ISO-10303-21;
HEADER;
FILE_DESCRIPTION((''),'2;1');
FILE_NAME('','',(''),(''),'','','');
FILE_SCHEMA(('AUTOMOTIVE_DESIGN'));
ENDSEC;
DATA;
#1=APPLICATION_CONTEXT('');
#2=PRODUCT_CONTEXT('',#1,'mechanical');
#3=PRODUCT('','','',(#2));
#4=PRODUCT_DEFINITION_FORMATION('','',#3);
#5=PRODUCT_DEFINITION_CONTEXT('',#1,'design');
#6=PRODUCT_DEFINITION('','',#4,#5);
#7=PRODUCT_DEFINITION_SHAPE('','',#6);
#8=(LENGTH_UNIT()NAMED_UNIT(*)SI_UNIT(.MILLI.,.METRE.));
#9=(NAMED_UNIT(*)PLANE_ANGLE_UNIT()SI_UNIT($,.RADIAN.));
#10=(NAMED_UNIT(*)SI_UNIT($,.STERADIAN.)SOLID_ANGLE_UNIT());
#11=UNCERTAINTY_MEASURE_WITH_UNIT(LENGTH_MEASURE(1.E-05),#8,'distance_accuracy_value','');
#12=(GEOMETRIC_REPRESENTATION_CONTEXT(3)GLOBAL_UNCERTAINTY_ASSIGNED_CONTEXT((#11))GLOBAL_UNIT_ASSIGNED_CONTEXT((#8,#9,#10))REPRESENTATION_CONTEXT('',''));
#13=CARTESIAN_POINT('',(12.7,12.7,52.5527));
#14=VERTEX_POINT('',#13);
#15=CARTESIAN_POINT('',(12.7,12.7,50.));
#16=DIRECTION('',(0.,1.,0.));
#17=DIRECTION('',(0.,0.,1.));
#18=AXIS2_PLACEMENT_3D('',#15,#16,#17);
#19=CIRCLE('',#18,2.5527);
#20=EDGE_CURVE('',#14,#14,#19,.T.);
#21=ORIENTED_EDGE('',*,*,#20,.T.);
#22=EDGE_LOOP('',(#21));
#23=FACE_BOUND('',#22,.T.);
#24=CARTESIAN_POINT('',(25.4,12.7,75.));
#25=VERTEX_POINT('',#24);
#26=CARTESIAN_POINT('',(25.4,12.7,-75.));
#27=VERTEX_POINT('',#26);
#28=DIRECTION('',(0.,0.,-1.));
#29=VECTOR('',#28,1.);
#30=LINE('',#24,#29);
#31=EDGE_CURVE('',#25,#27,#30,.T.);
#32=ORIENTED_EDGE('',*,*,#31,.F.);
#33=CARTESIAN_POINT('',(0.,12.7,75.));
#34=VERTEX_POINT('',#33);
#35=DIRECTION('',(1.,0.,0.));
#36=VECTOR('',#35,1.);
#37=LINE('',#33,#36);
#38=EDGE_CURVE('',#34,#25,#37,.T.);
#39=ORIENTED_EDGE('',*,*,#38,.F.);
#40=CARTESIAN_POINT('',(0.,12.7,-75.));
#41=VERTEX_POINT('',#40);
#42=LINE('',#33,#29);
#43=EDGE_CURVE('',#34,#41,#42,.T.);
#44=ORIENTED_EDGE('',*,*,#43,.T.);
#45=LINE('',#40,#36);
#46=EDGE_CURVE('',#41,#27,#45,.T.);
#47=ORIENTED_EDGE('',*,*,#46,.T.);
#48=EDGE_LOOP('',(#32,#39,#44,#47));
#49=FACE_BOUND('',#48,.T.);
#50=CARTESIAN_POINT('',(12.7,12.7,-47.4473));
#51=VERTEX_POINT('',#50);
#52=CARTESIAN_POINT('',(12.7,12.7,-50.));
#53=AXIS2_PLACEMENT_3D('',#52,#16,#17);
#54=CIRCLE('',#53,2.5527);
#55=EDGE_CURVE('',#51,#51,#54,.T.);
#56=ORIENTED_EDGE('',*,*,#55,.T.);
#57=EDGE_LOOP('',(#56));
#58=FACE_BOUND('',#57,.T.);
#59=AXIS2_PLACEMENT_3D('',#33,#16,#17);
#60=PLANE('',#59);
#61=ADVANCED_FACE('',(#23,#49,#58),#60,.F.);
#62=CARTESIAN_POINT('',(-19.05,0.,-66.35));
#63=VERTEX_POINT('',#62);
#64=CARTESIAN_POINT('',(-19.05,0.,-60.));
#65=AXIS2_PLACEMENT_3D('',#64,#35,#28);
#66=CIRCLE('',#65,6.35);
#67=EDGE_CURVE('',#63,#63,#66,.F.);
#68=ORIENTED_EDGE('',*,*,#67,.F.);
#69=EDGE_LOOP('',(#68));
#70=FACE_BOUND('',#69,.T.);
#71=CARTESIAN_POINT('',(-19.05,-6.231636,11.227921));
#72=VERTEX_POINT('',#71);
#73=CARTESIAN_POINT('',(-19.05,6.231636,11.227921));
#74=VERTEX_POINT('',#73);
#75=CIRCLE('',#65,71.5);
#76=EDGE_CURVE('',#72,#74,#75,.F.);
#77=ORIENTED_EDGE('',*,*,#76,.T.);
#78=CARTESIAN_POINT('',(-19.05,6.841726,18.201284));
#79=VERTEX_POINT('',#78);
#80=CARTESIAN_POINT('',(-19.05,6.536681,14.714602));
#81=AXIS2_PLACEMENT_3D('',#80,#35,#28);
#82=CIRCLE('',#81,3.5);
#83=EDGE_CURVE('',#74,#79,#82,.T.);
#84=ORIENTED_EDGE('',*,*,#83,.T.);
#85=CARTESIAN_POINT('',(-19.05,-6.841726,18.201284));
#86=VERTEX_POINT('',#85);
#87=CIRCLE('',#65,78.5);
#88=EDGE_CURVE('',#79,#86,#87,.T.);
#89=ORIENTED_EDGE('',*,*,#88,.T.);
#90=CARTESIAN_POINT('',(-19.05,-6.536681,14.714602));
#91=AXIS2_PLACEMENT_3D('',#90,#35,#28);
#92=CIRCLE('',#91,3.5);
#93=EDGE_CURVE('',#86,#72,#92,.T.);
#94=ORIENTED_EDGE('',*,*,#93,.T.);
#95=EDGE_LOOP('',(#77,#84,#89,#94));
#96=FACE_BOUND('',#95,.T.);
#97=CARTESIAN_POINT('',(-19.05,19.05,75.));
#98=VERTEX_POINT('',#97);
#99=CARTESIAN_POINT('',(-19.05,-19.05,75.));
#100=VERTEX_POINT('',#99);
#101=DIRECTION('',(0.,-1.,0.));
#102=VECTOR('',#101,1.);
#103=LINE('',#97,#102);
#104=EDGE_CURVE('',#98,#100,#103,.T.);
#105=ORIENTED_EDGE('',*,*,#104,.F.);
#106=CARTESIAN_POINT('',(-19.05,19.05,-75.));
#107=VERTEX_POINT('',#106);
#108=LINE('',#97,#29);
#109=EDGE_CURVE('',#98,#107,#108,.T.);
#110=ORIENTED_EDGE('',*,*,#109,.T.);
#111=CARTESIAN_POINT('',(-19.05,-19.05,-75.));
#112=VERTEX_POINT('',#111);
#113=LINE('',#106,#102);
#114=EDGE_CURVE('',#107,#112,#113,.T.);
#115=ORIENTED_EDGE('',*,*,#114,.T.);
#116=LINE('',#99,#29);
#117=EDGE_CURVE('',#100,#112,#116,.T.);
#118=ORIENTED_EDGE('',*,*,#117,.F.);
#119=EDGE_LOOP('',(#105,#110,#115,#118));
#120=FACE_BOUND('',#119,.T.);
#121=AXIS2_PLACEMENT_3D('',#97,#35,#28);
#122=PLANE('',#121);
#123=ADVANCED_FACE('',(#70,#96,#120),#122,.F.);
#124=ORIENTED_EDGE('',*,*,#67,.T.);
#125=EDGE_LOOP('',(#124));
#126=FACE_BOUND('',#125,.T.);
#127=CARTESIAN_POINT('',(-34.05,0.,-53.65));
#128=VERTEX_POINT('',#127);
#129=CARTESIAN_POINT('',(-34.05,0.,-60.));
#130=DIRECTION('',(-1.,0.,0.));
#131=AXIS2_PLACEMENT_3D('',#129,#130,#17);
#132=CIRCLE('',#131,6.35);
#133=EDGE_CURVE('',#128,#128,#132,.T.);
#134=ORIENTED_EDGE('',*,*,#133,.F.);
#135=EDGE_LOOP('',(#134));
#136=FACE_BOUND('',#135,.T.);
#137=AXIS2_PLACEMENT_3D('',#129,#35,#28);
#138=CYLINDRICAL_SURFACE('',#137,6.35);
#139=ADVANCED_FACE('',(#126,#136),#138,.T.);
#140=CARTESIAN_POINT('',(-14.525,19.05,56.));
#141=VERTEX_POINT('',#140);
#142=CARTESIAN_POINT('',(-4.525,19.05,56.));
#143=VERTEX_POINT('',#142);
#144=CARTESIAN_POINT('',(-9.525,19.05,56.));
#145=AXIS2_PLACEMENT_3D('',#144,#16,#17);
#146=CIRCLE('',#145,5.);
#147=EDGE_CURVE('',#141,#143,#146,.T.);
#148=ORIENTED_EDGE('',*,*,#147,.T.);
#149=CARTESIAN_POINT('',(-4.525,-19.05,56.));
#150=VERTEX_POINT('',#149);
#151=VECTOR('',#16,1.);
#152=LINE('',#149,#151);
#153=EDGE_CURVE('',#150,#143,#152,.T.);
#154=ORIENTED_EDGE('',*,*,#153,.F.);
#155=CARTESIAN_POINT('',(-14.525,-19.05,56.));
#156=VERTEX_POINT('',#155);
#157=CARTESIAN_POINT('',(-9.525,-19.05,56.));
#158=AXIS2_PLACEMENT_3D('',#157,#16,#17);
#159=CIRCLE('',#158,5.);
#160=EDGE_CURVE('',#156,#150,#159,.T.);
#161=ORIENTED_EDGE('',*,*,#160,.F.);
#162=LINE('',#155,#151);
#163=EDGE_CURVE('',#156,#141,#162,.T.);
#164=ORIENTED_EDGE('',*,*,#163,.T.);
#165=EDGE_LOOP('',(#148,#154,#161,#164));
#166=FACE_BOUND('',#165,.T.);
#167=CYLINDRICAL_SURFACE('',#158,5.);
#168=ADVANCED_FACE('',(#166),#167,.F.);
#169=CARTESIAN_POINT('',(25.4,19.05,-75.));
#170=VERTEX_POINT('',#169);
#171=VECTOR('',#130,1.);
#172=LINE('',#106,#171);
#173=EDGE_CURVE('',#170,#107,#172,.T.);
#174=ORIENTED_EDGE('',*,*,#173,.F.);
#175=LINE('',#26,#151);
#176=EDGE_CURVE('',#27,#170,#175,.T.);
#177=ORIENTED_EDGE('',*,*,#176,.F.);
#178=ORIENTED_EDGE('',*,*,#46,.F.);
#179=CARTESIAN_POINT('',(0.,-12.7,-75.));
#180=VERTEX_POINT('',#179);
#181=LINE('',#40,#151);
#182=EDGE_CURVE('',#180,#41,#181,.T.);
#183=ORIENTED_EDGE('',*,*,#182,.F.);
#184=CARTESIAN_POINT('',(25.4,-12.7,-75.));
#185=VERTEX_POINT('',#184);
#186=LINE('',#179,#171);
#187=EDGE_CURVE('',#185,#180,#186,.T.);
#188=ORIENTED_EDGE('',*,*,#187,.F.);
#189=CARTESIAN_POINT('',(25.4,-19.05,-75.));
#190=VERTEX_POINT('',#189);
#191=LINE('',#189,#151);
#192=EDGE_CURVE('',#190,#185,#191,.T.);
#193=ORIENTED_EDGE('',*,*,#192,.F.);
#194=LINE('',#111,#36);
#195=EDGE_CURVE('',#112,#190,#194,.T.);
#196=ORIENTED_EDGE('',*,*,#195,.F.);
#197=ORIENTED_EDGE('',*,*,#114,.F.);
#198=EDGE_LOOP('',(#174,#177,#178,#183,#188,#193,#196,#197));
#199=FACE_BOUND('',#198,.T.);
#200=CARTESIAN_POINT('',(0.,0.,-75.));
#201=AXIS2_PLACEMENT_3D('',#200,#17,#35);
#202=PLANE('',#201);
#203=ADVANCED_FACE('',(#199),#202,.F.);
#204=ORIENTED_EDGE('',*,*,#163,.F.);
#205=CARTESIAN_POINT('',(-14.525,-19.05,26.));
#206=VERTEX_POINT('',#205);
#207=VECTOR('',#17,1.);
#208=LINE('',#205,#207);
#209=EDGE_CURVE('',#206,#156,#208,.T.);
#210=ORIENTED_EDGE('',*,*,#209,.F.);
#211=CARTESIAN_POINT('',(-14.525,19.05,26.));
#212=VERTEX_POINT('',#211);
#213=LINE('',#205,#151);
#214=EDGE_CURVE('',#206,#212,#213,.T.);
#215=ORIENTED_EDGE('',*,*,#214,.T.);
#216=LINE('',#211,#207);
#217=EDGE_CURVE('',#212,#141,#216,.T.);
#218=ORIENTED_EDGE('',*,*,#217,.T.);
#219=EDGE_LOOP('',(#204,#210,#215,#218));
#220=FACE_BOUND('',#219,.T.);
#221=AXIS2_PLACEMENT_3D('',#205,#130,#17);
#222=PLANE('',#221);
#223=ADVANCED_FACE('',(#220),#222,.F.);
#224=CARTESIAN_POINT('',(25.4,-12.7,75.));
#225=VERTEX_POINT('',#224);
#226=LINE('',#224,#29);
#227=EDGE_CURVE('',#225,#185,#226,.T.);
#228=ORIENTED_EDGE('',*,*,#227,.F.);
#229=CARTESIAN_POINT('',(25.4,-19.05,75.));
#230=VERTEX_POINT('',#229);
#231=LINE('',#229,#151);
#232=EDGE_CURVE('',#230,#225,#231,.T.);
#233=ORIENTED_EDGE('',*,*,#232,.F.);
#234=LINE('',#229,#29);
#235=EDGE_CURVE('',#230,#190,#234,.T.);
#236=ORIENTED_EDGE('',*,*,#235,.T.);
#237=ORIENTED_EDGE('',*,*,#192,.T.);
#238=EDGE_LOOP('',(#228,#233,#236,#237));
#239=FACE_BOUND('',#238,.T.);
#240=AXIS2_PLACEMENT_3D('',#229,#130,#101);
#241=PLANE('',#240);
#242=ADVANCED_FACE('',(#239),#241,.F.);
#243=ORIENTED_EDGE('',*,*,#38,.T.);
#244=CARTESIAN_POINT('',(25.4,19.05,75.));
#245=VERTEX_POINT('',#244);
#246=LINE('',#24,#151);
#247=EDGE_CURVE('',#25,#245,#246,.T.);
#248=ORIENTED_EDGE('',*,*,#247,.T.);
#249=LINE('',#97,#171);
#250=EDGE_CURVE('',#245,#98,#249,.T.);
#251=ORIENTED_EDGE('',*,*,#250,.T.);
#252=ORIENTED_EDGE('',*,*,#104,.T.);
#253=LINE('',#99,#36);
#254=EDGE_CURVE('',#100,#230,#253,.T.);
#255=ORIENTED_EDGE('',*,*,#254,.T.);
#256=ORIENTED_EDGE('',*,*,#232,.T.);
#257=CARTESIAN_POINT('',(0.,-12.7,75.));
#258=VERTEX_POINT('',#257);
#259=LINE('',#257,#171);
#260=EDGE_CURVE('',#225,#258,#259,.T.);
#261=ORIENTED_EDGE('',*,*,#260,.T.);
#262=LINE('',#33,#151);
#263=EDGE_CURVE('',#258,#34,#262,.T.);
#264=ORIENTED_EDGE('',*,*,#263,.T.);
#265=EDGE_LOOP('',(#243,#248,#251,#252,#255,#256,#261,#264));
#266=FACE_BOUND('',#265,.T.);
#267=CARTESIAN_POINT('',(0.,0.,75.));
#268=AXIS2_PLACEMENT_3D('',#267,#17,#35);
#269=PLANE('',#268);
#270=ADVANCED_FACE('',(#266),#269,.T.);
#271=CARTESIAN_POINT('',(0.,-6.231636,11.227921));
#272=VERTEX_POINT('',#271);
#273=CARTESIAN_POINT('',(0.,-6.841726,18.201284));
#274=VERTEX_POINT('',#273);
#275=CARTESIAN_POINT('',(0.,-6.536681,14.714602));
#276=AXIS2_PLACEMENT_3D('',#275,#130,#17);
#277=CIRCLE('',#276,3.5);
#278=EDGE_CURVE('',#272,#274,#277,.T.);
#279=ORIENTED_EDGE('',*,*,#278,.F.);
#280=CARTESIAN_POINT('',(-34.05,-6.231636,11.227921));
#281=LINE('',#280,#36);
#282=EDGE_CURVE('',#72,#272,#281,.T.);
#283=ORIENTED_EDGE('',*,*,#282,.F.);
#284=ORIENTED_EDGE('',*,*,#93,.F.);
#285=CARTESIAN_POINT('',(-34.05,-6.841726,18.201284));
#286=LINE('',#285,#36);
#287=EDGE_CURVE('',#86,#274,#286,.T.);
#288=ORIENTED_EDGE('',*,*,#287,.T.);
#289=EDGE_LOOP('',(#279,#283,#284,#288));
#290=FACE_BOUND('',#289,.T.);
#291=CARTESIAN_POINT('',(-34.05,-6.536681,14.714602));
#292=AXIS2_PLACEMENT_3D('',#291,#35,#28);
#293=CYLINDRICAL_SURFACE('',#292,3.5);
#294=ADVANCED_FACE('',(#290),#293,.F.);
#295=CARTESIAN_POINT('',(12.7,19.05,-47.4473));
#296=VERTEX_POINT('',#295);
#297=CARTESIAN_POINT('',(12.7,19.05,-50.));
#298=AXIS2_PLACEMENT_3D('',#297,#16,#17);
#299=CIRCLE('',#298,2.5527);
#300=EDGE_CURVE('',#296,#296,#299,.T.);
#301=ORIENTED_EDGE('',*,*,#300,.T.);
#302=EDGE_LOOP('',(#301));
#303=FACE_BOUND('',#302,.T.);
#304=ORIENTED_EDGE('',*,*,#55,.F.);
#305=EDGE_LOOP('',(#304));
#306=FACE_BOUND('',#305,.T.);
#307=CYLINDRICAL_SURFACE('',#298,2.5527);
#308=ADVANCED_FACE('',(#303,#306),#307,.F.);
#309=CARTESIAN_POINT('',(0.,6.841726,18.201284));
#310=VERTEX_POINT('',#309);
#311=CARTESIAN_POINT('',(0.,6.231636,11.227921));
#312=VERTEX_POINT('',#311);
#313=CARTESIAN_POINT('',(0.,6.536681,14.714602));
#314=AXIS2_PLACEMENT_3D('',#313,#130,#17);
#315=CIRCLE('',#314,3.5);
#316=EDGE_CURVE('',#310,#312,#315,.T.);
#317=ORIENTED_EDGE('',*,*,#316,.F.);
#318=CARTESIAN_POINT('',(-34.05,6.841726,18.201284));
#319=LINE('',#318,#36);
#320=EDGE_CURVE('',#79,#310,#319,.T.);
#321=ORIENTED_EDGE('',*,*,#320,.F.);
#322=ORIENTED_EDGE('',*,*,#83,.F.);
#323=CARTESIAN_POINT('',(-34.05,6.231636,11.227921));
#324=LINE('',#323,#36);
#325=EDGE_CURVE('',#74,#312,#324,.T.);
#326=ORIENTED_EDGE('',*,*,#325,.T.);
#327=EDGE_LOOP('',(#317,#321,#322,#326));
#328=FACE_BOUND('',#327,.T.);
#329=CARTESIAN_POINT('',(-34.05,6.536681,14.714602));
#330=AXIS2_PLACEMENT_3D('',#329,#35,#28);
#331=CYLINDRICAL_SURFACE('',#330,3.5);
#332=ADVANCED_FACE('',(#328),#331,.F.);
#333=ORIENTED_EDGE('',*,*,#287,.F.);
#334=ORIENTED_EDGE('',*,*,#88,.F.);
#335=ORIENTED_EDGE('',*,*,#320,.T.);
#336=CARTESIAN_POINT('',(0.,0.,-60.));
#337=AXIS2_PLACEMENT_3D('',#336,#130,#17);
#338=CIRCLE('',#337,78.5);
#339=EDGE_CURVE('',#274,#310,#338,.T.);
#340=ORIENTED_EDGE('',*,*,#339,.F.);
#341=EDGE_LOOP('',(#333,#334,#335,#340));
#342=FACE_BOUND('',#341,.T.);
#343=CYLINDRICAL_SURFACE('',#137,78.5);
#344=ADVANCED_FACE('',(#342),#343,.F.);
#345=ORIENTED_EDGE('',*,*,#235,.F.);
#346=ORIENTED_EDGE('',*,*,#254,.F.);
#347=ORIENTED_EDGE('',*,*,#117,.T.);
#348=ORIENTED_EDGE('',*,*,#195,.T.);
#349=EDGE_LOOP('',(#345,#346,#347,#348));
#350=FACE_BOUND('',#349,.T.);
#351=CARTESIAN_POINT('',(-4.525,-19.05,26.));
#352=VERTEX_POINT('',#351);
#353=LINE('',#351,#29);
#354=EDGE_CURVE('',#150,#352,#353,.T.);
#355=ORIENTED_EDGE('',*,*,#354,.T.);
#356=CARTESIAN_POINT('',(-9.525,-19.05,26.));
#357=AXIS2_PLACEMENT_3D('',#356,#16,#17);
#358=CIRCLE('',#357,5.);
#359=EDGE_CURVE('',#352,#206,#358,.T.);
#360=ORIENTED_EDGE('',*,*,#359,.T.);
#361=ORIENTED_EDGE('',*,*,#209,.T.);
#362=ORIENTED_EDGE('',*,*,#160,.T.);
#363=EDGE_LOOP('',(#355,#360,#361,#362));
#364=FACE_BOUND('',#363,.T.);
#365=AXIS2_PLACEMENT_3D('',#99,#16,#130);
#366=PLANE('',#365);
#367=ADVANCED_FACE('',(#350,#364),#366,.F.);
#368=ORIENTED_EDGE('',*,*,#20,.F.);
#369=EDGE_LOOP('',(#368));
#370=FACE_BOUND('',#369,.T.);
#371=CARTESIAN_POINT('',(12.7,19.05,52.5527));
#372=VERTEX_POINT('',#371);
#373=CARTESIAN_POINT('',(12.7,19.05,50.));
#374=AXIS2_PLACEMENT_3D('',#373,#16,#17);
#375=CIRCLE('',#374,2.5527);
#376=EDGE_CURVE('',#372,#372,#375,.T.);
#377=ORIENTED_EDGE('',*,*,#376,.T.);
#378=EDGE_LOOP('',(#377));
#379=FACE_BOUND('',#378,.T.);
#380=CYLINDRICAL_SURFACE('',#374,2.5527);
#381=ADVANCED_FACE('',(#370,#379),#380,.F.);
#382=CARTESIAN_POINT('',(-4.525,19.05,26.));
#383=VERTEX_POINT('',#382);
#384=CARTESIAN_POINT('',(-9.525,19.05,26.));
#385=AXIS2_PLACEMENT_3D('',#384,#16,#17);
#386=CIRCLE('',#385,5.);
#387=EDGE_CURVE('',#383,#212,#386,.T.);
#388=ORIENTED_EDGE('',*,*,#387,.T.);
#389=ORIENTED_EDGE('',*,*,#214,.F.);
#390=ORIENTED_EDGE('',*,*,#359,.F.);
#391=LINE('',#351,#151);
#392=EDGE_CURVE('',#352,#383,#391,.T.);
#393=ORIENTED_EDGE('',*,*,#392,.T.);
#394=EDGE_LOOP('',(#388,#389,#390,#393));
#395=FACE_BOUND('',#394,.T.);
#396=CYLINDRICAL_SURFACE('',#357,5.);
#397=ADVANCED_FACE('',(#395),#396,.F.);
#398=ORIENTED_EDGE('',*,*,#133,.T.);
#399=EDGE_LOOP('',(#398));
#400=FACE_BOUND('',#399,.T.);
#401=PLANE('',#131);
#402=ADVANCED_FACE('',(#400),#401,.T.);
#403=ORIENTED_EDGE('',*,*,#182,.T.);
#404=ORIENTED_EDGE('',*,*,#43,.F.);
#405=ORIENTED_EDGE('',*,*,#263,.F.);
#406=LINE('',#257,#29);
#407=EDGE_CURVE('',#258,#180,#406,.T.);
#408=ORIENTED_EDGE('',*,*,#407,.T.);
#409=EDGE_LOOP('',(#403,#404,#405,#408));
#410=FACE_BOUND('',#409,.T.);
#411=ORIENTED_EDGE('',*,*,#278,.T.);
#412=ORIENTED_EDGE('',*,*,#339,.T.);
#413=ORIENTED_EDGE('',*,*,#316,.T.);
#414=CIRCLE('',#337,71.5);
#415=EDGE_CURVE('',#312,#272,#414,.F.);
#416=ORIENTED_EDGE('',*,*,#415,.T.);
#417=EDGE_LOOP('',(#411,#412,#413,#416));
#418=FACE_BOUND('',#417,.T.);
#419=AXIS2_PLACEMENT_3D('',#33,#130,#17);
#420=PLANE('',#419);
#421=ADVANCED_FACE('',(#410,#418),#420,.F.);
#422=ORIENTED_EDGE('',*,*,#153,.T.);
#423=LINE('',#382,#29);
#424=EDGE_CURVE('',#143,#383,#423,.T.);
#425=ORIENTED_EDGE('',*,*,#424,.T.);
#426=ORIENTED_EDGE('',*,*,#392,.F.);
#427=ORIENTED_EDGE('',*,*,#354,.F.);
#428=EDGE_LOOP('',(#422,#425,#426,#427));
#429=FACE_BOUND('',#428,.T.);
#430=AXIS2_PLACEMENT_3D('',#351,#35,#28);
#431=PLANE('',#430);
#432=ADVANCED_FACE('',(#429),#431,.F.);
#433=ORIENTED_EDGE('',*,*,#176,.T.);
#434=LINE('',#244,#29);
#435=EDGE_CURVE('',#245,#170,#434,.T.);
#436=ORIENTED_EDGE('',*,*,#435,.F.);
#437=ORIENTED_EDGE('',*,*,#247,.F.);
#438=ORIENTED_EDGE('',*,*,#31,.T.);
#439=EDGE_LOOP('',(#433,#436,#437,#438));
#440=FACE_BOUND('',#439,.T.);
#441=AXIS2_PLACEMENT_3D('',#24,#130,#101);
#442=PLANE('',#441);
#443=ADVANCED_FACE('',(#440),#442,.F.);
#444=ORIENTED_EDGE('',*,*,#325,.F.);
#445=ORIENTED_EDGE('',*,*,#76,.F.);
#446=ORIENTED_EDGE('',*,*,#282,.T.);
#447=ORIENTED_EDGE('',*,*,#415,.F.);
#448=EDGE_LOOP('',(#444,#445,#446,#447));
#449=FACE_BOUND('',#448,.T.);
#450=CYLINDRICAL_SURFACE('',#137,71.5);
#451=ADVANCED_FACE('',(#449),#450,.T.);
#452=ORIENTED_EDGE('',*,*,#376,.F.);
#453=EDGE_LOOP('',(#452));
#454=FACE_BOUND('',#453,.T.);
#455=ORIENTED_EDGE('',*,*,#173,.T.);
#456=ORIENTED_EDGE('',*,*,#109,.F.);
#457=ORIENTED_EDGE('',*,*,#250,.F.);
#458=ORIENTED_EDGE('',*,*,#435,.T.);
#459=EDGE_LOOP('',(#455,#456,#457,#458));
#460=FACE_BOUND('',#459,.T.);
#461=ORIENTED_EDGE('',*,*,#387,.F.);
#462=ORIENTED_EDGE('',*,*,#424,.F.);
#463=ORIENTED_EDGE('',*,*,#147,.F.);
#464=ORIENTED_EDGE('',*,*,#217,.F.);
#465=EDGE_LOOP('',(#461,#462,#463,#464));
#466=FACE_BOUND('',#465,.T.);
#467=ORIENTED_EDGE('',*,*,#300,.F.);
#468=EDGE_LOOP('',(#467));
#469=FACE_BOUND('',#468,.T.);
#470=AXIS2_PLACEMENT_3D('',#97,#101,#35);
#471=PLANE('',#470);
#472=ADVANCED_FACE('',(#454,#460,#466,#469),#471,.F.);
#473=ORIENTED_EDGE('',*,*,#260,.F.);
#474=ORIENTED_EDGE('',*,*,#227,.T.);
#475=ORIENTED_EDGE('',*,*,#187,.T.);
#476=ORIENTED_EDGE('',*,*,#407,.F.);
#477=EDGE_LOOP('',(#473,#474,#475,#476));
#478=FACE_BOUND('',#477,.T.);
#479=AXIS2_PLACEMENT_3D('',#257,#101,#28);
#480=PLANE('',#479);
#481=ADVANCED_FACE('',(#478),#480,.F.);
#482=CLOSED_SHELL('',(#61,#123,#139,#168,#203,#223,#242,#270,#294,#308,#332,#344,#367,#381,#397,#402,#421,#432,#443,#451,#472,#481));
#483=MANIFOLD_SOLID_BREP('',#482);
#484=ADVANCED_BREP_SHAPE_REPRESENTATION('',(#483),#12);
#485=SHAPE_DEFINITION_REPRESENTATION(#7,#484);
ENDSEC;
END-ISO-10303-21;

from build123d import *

# Parameters (mm, degrees)
SALIENTE_EXTRUIR1_DEPTH       = 75
CROQUIS2_R                    = 6.35
SALIENTE_EXTRUIR2_DEPTH       = 15
CORTAR_EXTRUIR1_DEPTH         = 85.541735255
CORTAR_EXTRUIR1_DEPTH_BACK    = 85.541735255
CORTAR_EXTRUIR2_DEPTH         = 85.541735255
CORTAR_EXTRUIR2_DEPTH_BACK    = 85.541735255
TALADRO_ROSCADO_1_4_201_D     = 5.1054
TALADRO_ROSCADO_1_4_201_DEPTH = 6.35


with BuildPart() as part:
    # Croquis1 → Saliente-Extruir1 (new, symmetric)
    with BuildSketch(Plane.XY):
        Polygon((0, 12.7), (0, -12.7), (25.4, -12.7), (25.4, -19.05), (-19.05, -19.05), (-19.05, 19.05), (25.4, 19.05), (25.4, 12.7), align=None)
    extrude(amount=SALIENTE_EXTRUIR1_DEPTH, both=True)

    # Croquis2 → Saliente-Extruir2 (add)
    with BuildSketch(Plane.ZY.offset(19.05)):
        with Locations(Location((-60, 0, 0), (0, 0, 180))):
            Circle(CROQUIS2_R)
    extrude(amount=SALIENTE_EXTRUIR2_DEPTH)

    # Croquis3 → Cortar-Extruir1 (cut, two sides: drawn at the far end of the back side and taken through both)
    with BuildSketch(Plane(origin=(0, 0, 0), x_dir=(1, 0, 0), z_dir=(0, 1, 0)).offset(-CORTAR_EXTRUIR1_DEPTH_BACK)):
        with BuildLine():
            Line((-4.525, -26), (-4.525, -56))
            ThreePointArc((-4.525, -56), (-9.525, -61), (-14.525, -56))
            Line((-14.525, -56), (-14.525, -26))
            ThreePointArc((-14.525, -26), (-9.525, -21), (-4.525, -26))
        make_face()
    extrude(amount=CORTAR_EXTRUIR1_DEPTH + CORTAR_EXTRUIR1_DEPTH_BACK, mode=Mode.SUBTRACT)

    # Croquis4 → Cortar-Extruir2 (cut, two sides: drawn at the far end of the back side and taken through both)
    with BuildSketch(Plane(origin=(0, 0, 0), x_dir=(0, 0, -1), z_dir=(1, 0, 0)).offset(-CORTAR_EXTRUIR2_DEPTH_BACK)):
        with BuildLine():
            ThreePointArc((-18.2012838, 6.841725806), (-18.5, 0), (-18.2012838, -6.841725806))
            ThreePointArc((-18.2012838, -6.841725806), (-14.409557257, -10.023362149), (-11.227920914, -6.231635606))
            ThreePointArc((-11.227920914, -6.231635606), (-11.5, 0), (-11.227920914, 6.231635606))
            ThreePointArc((-11.227920914, 6.231635606), (-14.409557257, 10.023362149), (-18.2012838, 6.841725806))
        make_face()
    extrude(amount=CORTAR_EXTRUIR2_DEPTH + CORTAR_EXTRUIR2_DEPTH_BACK, mode=Mode.SUBTRACT)

    # Taladro roscado 1/4-201
    with Locations(Plane(origin=(0, 19.05, 0), x_dir=(1, 0, 0), z_dir=(0, 1, 0))):
        with Locations((12.7, -50), (12.7, 50)):
            Hole(TALADRO_ROSCADO_1_4_201_D / 2, depth=TALADRO_ROSCADO_1_4_201_DEPTH)


solid = part.part
